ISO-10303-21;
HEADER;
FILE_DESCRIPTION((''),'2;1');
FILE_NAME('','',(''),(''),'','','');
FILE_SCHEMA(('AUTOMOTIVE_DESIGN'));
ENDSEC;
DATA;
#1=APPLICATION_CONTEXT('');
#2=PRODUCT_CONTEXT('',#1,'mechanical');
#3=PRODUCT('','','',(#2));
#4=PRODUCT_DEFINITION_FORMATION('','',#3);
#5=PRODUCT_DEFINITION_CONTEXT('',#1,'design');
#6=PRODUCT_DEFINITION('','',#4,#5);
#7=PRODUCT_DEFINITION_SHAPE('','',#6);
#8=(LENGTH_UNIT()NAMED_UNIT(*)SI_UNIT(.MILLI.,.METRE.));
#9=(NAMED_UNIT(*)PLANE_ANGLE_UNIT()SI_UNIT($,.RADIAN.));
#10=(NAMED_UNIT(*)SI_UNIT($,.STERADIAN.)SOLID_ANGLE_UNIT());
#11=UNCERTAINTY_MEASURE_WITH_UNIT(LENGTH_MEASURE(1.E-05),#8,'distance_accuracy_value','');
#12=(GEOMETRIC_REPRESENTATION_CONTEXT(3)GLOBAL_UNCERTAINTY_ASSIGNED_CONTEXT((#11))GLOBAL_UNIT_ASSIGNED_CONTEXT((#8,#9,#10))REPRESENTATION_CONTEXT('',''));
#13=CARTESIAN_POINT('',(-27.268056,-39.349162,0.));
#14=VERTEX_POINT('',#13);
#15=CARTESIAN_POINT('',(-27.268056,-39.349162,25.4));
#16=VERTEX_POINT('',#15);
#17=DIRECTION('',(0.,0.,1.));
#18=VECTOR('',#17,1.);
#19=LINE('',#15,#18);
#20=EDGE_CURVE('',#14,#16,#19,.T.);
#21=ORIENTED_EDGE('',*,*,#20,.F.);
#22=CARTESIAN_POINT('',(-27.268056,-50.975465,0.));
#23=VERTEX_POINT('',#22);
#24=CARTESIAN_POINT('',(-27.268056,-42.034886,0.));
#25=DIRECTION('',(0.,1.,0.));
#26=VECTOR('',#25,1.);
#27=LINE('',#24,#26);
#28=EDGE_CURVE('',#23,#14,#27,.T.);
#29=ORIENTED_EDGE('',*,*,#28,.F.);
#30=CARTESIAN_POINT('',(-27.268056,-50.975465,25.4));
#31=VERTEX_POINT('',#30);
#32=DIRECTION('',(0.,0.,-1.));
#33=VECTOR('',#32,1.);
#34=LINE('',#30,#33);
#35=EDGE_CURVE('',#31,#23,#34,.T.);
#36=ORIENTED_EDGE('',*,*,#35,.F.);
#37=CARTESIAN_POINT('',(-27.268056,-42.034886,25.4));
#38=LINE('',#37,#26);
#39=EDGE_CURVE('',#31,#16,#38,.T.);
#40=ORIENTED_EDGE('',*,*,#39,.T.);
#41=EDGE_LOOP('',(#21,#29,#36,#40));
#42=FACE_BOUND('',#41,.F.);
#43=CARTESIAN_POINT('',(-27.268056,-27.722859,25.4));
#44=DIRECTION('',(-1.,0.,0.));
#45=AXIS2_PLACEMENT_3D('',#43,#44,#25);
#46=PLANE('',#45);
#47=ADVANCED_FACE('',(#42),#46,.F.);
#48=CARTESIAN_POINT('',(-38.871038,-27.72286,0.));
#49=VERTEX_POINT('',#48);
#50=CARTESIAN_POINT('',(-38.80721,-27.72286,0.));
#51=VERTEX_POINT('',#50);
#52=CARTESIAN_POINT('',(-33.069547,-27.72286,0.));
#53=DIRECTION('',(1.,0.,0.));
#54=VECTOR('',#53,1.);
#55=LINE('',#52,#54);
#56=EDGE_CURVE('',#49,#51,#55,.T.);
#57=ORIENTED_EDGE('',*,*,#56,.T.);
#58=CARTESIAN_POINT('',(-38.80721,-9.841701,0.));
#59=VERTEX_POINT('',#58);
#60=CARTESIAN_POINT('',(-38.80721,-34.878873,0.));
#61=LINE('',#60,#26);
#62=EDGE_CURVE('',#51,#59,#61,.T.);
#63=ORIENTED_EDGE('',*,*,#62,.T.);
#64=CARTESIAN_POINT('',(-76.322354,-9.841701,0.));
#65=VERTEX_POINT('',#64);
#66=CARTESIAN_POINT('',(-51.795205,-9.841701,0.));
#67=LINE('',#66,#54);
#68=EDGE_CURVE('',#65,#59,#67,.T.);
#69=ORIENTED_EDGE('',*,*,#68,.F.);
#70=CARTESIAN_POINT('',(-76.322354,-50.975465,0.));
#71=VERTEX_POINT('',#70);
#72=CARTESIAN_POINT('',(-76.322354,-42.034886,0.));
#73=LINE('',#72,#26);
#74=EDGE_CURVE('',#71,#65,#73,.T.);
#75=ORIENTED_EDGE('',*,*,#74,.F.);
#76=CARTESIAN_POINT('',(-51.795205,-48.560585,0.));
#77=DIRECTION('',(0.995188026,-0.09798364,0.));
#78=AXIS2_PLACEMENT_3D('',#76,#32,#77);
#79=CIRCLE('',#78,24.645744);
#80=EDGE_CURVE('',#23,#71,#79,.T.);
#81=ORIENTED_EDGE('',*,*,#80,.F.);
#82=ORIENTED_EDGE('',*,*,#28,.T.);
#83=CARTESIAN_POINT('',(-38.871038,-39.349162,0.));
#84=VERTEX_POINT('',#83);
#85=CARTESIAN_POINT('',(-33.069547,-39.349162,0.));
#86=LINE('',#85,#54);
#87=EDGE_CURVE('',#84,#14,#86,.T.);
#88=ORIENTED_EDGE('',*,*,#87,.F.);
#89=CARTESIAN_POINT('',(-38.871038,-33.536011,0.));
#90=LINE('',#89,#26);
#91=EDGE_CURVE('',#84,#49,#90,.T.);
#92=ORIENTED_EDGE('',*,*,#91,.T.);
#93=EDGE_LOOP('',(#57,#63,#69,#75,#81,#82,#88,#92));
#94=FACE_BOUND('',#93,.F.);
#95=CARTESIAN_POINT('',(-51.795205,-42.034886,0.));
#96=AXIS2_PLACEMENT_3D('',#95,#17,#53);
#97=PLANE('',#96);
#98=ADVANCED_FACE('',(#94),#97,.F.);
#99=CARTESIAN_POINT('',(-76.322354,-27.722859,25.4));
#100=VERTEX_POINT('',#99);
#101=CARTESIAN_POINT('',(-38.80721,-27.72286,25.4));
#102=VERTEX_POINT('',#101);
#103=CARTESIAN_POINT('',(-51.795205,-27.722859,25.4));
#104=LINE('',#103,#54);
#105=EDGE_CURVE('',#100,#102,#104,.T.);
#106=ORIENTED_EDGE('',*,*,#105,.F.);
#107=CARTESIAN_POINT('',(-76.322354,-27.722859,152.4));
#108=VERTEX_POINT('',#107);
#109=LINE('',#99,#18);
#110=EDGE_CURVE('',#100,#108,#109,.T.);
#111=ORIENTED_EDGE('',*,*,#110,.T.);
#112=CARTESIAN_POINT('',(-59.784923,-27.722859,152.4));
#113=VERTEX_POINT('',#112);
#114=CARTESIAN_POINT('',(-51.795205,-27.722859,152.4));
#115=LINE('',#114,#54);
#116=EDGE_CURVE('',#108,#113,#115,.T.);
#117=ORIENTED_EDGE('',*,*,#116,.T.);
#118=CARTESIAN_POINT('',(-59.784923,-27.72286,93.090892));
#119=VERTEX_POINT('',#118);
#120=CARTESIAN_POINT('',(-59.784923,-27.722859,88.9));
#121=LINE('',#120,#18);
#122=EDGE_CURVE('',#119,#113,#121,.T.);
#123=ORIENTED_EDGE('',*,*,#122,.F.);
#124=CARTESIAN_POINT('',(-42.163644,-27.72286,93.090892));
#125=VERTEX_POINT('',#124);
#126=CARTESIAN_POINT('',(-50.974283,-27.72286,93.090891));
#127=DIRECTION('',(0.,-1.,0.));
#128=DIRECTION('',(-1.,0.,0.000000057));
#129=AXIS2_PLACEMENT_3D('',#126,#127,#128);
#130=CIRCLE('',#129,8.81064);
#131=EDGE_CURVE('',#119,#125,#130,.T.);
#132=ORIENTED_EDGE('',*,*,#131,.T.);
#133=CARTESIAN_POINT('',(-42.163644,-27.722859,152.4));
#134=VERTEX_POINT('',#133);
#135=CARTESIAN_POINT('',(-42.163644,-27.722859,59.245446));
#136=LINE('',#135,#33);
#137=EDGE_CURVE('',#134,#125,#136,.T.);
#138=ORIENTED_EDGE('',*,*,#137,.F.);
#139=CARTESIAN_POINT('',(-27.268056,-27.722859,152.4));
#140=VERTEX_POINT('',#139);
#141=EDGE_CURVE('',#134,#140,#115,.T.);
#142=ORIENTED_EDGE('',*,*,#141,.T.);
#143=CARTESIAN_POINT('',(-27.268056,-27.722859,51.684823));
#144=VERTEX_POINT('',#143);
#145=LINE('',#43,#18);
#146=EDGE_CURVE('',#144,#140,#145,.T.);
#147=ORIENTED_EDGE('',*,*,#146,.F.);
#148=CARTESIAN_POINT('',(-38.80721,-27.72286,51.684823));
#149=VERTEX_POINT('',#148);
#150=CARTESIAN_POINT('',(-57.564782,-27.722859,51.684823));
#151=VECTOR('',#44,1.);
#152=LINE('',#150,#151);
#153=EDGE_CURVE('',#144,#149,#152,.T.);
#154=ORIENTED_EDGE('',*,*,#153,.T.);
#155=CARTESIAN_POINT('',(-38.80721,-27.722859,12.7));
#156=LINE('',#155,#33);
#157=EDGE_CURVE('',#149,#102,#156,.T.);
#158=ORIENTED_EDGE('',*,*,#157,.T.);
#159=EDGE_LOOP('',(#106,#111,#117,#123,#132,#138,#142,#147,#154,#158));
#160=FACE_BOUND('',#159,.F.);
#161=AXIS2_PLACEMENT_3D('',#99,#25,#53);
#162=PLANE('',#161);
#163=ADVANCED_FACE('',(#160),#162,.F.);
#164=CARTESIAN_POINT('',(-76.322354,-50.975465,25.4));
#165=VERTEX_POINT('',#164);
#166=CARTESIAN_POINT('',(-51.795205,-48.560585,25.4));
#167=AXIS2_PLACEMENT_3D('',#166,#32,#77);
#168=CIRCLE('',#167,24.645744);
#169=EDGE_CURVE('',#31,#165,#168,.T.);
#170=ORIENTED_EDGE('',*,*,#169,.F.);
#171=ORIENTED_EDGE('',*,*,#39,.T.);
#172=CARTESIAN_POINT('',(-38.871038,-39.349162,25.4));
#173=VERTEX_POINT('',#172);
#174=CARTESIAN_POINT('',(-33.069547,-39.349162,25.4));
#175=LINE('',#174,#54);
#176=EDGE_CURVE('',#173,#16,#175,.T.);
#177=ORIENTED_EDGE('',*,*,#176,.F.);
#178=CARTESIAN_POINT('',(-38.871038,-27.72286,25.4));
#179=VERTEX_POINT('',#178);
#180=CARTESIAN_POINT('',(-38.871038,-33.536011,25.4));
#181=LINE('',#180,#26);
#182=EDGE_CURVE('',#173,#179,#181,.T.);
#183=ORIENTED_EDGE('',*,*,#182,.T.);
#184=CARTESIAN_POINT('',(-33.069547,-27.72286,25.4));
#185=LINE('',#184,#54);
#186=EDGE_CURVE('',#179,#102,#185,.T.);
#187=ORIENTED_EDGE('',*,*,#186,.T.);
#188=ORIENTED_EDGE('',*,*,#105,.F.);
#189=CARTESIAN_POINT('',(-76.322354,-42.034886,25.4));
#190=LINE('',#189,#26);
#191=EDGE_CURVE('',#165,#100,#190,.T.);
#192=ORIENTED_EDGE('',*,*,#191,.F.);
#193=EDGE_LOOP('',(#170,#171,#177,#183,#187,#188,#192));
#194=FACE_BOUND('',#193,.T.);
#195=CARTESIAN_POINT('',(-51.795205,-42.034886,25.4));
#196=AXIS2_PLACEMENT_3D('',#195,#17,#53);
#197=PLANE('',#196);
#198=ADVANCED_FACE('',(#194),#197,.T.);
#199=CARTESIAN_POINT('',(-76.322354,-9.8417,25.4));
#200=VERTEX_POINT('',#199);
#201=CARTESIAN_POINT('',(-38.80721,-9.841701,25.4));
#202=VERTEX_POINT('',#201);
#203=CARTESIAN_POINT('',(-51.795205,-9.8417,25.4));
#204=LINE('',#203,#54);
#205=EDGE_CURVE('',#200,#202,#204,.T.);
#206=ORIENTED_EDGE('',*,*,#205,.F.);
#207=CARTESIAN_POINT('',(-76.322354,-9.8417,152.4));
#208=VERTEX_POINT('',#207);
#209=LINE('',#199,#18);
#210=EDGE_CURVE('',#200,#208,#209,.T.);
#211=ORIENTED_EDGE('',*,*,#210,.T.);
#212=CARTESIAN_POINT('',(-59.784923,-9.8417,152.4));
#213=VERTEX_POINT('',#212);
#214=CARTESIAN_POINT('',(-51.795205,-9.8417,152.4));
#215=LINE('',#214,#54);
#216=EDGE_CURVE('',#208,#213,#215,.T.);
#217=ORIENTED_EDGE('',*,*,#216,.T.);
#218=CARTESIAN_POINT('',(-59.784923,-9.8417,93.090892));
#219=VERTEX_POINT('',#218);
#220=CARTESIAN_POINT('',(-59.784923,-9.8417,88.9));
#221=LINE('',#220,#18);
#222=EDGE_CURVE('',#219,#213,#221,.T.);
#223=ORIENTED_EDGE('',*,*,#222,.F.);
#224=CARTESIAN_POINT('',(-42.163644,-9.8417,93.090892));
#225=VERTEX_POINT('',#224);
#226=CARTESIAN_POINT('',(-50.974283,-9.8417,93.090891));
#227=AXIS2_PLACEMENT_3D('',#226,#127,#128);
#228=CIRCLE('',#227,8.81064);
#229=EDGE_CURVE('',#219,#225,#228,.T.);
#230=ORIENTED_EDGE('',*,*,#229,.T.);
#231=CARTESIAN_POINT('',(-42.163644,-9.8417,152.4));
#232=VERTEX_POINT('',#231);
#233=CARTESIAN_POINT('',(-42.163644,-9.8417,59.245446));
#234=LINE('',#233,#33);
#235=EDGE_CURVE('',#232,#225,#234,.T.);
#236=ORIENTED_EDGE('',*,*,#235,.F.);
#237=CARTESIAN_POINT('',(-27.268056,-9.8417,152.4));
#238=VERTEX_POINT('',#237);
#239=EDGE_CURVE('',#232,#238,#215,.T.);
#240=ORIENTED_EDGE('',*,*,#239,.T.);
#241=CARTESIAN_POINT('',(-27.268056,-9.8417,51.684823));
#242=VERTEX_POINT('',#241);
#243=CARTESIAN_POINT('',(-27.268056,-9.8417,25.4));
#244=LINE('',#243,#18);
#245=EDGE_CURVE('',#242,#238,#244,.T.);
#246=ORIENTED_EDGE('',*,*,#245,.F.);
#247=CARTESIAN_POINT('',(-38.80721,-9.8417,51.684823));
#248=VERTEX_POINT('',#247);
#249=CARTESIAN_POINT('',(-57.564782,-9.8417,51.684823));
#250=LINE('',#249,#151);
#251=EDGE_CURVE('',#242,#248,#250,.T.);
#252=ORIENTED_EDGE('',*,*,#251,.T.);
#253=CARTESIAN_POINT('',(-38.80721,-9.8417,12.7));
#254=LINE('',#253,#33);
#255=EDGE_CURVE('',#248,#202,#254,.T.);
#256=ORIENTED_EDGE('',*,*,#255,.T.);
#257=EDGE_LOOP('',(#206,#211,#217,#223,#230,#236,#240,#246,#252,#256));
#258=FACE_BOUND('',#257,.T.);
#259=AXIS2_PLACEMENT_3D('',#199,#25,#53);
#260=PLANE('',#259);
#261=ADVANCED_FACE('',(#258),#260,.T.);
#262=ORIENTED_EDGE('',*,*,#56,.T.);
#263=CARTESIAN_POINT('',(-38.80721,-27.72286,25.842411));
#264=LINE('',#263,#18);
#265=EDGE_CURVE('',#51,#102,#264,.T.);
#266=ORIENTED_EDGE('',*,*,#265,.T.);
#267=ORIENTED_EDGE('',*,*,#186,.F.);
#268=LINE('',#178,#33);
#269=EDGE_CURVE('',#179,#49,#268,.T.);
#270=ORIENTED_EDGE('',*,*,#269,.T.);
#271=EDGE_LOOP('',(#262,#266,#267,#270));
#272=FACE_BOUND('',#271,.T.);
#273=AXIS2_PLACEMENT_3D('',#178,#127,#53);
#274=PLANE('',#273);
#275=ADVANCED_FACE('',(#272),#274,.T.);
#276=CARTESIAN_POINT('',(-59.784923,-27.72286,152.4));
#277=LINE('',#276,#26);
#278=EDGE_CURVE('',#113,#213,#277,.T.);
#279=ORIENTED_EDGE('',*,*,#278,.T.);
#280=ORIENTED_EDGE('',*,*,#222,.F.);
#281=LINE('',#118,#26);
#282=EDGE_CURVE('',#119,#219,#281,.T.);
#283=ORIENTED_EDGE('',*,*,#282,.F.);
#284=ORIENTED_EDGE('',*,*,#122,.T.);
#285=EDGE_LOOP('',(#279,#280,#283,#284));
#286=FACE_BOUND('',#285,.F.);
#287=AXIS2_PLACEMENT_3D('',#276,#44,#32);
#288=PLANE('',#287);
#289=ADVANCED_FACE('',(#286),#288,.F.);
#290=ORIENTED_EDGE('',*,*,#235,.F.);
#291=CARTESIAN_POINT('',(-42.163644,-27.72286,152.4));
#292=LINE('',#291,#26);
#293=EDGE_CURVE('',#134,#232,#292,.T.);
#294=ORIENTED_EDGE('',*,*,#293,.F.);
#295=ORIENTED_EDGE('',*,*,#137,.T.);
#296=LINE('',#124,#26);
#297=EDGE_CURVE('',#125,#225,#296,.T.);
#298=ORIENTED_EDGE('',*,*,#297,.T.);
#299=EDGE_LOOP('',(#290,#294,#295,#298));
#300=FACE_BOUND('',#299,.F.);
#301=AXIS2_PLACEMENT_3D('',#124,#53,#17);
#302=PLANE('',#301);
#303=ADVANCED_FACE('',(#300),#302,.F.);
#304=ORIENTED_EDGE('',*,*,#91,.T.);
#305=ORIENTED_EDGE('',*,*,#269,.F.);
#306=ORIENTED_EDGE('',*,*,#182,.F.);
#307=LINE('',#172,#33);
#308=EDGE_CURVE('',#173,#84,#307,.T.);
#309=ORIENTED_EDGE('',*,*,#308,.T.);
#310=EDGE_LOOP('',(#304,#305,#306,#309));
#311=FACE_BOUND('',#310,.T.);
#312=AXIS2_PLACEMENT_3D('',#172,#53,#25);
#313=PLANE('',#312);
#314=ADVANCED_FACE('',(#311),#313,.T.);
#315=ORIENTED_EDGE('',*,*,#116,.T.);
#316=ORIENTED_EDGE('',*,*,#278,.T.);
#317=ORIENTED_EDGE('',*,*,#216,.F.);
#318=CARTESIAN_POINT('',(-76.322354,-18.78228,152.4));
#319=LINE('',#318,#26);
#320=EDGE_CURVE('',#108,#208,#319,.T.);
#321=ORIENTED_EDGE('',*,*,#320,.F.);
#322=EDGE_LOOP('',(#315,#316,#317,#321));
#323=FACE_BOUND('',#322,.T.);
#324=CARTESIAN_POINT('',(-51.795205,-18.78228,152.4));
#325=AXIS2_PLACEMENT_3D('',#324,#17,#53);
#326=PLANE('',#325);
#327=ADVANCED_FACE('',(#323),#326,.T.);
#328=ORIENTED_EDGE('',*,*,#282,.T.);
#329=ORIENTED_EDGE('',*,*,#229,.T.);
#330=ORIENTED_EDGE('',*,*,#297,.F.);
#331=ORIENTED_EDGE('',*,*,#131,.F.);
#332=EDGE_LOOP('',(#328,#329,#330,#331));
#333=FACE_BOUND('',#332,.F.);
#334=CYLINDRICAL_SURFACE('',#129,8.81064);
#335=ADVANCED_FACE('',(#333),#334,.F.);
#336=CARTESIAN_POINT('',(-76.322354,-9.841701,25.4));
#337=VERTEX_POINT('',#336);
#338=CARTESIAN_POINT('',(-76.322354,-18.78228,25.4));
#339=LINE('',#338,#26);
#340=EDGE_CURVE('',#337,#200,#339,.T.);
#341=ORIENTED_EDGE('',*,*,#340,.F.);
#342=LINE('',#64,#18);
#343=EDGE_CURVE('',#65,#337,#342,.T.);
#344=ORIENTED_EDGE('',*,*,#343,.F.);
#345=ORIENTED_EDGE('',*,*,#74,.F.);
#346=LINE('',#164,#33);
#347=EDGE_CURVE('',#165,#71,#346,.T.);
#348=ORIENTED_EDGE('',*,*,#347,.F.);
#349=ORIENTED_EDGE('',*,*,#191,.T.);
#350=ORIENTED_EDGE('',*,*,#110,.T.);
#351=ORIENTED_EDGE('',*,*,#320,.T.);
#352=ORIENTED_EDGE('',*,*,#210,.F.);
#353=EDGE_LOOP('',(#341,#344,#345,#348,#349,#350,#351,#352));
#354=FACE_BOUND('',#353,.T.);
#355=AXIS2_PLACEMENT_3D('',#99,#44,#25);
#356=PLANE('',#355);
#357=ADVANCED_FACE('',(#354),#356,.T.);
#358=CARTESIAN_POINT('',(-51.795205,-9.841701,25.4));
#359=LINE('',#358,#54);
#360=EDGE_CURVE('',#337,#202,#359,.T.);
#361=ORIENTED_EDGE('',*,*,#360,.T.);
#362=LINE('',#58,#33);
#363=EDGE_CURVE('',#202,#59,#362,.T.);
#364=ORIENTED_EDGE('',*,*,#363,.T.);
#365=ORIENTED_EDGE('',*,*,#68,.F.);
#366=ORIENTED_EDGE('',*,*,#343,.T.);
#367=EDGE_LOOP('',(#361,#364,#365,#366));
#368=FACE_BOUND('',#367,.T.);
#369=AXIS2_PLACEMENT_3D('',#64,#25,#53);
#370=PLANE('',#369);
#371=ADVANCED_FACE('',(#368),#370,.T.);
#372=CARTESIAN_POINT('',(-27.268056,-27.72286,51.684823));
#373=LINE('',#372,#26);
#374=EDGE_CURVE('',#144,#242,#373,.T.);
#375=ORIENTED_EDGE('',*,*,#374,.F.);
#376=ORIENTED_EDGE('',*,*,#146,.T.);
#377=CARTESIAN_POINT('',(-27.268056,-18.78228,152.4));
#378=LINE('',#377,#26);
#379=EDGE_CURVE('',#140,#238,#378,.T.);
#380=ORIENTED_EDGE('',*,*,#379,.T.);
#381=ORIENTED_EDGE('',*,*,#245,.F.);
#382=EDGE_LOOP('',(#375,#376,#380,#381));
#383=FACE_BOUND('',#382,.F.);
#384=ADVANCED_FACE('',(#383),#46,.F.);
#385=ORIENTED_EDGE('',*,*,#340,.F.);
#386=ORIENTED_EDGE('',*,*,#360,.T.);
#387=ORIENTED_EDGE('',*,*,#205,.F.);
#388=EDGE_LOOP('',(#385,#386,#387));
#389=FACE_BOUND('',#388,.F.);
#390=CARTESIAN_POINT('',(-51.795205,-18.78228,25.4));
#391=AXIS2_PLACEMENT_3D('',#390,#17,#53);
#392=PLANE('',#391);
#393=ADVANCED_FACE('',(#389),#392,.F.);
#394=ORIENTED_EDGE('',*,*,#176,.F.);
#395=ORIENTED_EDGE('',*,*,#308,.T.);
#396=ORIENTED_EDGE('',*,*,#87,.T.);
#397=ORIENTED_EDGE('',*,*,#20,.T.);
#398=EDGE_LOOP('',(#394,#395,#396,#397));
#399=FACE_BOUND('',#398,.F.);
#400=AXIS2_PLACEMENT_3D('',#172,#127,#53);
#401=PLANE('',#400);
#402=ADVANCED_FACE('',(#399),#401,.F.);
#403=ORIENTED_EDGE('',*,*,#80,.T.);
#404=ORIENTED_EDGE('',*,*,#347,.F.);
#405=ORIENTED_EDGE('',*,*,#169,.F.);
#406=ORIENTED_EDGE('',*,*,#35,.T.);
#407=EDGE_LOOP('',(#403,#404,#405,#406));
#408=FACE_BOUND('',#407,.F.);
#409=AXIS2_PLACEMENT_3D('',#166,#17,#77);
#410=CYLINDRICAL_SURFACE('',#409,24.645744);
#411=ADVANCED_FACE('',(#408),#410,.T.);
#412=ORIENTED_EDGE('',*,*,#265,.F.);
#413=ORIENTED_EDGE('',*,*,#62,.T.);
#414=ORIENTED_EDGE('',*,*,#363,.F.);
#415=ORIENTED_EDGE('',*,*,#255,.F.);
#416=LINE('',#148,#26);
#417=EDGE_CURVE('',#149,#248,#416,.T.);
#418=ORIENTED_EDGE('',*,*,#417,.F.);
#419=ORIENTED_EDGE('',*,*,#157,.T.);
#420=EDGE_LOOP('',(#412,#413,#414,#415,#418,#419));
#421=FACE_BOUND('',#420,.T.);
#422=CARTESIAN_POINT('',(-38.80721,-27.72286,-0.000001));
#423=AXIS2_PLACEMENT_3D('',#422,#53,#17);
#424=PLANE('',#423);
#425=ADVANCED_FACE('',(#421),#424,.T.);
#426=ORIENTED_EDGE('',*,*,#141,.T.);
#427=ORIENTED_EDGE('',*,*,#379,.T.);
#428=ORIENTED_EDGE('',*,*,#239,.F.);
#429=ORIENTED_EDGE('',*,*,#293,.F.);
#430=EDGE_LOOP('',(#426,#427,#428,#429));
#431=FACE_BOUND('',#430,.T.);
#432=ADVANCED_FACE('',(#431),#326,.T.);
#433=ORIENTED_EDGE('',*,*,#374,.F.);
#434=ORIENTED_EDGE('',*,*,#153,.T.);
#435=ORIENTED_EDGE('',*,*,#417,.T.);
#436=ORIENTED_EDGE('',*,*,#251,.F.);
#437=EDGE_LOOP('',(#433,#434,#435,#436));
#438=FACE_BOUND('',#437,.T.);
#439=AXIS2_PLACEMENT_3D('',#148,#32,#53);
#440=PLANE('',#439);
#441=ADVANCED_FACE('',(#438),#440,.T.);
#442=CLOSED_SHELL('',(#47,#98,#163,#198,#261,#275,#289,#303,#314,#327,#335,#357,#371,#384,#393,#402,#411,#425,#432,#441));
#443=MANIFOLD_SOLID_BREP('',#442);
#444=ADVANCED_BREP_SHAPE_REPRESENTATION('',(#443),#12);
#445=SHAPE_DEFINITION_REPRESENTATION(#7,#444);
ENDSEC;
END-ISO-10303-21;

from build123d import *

# Parameters (mm, degrees)
F0_W      = 49.054298
F0_H      = 64.38637
F1_DEPTH  = 25.4
F2_W      = 49.054298
F2_H      = 17.881159
F3_DEPTH  = 127
F5_DEPTH  = 25.4
F6_W      = 11.602983
F6_H      = 11.626302
F7_DEPTH  = 25.4
F8_W      = 11.539154
F8_H      = 51.684823
F9_DEPTH  = 25.4
F11_DEPTH = 25.4


with BuildPart() as f1:
    # F0 (on Top) → F1 (new body)
    with BuildSketch(Plane.XY):
        with Locations((-51.795205, -42.034886)):
            Rectangle(F0_W, F0_H)
    extrude(amount=F1_DEPTH)

    # F2 (on face) → F3 (join)
    with BuildSketch(Plane.XY.offset(25.4)):
        with Locations((-51.795205, -18.78228)):
            Rectangle(F2_W, F2_H)
    extrude(amount=F3_DEPTH)

    # F4 (on face) → F5 (cut)
    with BuildSketch(Plane.XY.offset(25.4)):
        with BuildLine():
            ThreePointArc((-27.268056, -50.975465), (-51.795205, -73.206329), (-76.322354, -50.975465))
            Line((-76.322354, -50.975465), (-76.322354, -74.228071))
            Line((-76.322354, -74.228071), (-27.268056, -74.228071))
            Line((-27.268056, -74.228071), (-27.268056, -50.975465))
        make_face()
    extrude(amount=-F5_DEPTH, mode=Mode.SUBTRACT)

    # F6 (on face) → F7 (cut)
    with BuildSketch(Plane.XY.offset(25.4)):
        with Locations((-33.069547, -33.536011)):
            Rectangle(F6_W, F6_H)
    extrude(amount=-F7_DEPTH, mode=Mode.SUBTRACT)

    # F8 (on face) → F9 (cut)
    with BuildSketch(Plane.XZ.offset(27.72286)):
        with Locations((-33.037633, 25.842411)):
            Rectangle(F8_W, F8_H)
    extrude(amount=-F9_DEPTH, mode=Mode.SUBTRACT)

    # F10 (on face) → F11 (cut)
    with BuildSketch(Plane.XZ.offset(27.72286)):
        with BuildLine():
            Line((-42.163644, 152.4), (-59.784923, 152.4))
            Line((-59.784923, 152.4), (-59.784923, 93.090892))
            ThreePointArc((-59.784923, 93.090892), (-50.974283, 84.280252), (-42.163644, 93.090892))
            Line((-42.163644, 93.090892), (-42.163644, 152.4))
        make_face()
    extrude(amount=-F11_DEPTH, mode=Mode.SUBTRACT)


solid = f1.part
